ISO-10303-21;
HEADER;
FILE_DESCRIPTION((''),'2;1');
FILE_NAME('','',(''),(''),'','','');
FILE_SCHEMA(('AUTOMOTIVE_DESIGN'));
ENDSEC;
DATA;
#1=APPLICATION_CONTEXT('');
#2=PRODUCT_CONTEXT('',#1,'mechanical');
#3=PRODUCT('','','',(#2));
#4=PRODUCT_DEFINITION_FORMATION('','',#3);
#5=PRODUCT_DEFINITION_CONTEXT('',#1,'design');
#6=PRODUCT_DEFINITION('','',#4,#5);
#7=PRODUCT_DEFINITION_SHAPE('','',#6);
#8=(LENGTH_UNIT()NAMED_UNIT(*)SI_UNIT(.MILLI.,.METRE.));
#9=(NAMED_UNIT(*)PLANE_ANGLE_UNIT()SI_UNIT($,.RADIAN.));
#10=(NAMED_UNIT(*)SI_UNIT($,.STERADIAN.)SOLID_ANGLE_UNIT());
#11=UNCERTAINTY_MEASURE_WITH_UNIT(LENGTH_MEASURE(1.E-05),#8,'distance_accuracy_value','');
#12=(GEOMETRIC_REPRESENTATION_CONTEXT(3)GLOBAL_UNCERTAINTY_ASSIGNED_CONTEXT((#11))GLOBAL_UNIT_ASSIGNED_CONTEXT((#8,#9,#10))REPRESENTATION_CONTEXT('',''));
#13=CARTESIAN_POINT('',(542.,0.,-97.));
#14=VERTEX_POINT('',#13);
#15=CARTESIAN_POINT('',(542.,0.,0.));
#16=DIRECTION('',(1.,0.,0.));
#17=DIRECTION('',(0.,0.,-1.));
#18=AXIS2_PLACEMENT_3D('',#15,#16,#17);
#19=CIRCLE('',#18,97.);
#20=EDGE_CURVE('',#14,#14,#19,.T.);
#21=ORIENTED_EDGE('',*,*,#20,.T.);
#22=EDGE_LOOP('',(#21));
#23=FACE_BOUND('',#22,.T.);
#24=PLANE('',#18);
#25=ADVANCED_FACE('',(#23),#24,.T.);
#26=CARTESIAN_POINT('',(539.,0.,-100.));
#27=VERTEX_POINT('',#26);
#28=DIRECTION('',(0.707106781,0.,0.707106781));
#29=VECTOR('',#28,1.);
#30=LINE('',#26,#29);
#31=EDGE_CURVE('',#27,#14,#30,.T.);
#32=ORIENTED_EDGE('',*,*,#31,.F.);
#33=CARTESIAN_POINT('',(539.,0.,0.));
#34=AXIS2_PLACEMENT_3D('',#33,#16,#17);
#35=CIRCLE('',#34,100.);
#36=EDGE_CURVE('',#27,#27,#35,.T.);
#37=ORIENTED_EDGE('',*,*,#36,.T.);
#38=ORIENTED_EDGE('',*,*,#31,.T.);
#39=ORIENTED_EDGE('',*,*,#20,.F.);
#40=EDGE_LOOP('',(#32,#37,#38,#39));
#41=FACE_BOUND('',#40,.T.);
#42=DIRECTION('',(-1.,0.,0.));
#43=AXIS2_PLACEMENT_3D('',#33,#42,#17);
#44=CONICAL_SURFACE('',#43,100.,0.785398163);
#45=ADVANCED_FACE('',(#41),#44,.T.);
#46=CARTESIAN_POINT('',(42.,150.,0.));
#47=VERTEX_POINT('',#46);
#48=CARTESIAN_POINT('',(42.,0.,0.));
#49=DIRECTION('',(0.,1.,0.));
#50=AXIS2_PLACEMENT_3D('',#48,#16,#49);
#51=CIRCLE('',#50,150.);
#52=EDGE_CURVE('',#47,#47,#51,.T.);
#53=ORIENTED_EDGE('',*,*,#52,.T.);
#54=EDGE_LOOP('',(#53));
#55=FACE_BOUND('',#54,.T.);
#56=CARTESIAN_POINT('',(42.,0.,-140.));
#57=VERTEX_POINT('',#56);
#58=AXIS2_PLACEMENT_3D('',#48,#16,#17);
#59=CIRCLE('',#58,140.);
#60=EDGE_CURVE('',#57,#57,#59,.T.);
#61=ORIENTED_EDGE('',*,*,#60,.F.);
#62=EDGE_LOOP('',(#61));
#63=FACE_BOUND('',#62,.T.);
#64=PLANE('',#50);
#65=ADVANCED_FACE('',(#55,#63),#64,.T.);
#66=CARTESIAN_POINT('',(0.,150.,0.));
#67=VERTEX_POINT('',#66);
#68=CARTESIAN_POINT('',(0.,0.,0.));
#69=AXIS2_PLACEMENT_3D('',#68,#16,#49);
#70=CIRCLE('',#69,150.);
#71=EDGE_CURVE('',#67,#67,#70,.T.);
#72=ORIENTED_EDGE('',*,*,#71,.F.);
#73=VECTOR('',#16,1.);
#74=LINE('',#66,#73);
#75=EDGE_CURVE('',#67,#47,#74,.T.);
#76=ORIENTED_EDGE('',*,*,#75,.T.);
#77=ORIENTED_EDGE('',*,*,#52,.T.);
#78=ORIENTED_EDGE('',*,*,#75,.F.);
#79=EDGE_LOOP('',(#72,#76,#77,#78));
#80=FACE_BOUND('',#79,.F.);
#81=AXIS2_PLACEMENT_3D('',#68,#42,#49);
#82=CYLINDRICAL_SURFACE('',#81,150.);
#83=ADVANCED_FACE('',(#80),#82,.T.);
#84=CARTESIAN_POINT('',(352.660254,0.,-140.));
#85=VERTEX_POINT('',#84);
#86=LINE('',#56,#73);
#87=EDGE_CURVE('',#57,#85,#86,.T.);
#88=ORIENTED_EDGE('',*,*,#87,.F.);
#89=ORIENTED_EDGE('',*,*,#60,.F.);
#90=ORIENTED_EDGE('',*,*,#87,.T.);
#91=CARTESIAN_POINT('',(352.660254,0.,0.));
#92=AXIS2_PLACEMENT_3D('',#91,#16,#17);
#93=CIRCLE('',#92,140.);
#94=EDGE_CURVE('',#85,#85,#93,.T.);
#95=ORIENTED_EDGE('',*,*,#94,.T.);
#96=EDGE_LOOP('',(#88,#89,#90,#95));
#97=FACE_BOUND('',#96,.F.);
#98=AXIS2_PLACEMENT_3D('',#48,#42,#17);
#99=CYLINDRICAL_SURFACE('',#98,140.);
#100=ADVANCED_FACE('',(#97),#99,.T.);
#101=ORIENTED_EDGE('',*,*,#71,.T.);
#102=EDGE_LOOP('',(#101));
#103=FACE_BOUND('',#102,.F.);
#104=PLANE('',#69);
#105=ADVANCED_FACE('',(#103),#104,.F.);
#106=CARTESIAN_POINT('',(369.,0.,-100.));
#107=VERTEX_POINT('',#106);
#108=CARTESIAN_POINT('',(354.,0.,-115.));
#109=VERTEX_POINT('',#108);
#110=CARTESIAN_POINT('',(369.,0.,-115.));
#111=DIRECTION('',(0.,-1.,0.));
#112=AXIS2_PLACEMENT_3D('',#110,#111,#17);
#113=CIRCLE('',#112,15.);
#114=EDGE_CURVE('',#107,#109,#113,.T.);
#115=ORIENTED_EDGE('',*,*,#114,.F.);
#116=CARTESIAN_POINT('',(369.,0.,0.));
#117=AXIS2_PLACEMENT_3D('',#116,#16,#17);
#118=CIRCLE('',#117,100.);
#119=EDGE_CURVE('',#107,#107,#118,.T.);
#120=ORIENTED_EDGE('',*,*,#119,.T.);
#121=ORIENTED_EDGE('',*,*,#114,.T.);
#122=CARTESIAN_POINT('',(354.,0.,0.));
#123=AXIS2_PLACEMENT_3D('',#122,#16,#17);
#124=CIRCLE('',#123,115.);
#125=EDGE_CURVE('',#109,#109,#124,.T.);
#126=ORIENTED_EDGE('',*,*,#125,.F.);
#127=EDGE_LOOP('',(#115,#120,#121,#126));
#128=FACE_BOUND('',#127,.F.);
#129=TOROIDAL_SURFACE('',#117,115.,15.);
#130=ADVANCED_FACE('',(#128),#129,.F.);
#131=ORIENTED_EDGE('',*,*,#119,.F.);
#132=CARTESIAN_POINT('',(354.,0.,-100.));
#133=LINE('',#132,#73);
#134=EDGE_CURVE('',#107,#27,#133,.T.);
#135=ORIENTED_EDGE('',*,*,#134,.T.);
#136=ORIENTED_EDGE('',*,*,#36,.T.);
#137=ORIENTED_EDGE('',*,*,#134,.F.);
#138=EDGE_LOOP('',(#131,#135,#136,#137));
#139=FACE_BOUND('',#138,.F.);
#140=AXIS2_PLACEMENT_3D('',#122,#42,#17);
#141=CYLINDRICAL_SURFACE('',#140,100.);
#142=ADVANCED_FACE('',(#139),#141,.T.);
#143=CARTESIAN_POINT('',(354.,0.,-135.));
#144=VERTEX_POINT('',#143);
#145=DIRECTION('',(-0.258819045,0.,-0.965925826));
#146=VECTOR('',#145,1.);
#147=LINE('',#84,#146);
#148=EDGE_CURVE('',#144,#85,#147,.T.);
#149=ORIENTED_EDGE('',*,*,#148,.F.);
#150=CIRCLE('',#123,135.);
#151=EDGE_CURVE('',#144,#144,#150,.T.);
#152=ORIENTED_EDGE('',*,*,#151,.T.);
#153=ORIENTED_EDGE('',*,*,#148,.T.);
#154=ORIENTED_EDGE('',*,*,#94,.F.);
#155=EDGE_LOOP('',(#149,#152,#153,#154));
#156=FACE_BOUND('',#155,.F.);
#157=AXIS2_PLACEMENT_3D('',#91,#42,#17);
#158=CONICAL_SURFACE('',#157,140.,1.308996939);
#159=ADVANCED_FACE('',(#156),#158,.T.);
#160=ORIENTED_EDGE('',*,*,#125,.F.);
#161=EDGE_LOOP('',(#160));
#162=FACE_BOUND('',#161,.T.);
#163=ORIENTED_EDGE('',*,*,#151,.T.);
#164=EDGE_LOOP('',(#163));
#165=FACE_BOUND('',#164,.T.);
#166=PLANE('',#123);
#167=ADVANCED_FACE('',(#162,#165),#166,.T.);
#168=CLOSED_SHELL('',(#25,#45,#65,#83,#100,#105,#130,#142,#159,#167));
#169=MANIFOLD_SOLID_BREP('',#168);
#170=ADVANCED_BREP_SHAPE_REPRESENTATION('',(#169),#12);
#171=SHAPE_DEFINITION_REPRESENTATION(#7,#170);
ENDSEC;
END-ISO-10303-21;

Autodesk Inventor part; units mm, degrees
ref_plane "YZ Plane" through (0, 0, 0) normal (1, 0, 0) x (0, 1, 0)
ref_plane "XZ Plane" through (0, 0, 0) normal (0, 1, 0) x (-1, 0, 0)
ref_plane "XY Plane" through (0, 0, 0) normal (0, 0, 1) x (1, 0, 0)
sketch "Sketch1" plane through (0, 0, 0) normal (1, 0, 0) x (0, 1, 0)
  circle A0 centre (0, 0) radius 150
  dimension "d0" = 300
extrude "Extrusion1" add sketch "Sketch1" along normal blind 42
sketch "Sketch2" plane through (42, 0, 0) normal (1, 0, 0) x (0, 0, -1)
  circle A0 centre (0, 0) radius 140
  dimension "d3" = 280
extrude "Extrusion2" add sketch "Sketch2" along normal blind 312
sketch "Sketch3" plane through (354, 0, 0) normal (1, 0, 0) x (0, 0, -1)
  circle A0 centre (0, 0) radius 100
  dimension "d6" = 200
extrude "Extrusion3" add sketch "Sketch3" along normal blind 188
chamfer "Chamfer1" distance 5 angle 15 1 edges at (354, 0, 140) measured on face at (354, 2.3252, 126.4215)
chamfer "Chamfer2" distance 3 angle 45 1 edges at (542, 0, 100) measured on face at (542, 30.5098, 9.4965)
fillet "Fillet1" radius 15 1 edges at (354, 0, 100)
properties part number "eje"
